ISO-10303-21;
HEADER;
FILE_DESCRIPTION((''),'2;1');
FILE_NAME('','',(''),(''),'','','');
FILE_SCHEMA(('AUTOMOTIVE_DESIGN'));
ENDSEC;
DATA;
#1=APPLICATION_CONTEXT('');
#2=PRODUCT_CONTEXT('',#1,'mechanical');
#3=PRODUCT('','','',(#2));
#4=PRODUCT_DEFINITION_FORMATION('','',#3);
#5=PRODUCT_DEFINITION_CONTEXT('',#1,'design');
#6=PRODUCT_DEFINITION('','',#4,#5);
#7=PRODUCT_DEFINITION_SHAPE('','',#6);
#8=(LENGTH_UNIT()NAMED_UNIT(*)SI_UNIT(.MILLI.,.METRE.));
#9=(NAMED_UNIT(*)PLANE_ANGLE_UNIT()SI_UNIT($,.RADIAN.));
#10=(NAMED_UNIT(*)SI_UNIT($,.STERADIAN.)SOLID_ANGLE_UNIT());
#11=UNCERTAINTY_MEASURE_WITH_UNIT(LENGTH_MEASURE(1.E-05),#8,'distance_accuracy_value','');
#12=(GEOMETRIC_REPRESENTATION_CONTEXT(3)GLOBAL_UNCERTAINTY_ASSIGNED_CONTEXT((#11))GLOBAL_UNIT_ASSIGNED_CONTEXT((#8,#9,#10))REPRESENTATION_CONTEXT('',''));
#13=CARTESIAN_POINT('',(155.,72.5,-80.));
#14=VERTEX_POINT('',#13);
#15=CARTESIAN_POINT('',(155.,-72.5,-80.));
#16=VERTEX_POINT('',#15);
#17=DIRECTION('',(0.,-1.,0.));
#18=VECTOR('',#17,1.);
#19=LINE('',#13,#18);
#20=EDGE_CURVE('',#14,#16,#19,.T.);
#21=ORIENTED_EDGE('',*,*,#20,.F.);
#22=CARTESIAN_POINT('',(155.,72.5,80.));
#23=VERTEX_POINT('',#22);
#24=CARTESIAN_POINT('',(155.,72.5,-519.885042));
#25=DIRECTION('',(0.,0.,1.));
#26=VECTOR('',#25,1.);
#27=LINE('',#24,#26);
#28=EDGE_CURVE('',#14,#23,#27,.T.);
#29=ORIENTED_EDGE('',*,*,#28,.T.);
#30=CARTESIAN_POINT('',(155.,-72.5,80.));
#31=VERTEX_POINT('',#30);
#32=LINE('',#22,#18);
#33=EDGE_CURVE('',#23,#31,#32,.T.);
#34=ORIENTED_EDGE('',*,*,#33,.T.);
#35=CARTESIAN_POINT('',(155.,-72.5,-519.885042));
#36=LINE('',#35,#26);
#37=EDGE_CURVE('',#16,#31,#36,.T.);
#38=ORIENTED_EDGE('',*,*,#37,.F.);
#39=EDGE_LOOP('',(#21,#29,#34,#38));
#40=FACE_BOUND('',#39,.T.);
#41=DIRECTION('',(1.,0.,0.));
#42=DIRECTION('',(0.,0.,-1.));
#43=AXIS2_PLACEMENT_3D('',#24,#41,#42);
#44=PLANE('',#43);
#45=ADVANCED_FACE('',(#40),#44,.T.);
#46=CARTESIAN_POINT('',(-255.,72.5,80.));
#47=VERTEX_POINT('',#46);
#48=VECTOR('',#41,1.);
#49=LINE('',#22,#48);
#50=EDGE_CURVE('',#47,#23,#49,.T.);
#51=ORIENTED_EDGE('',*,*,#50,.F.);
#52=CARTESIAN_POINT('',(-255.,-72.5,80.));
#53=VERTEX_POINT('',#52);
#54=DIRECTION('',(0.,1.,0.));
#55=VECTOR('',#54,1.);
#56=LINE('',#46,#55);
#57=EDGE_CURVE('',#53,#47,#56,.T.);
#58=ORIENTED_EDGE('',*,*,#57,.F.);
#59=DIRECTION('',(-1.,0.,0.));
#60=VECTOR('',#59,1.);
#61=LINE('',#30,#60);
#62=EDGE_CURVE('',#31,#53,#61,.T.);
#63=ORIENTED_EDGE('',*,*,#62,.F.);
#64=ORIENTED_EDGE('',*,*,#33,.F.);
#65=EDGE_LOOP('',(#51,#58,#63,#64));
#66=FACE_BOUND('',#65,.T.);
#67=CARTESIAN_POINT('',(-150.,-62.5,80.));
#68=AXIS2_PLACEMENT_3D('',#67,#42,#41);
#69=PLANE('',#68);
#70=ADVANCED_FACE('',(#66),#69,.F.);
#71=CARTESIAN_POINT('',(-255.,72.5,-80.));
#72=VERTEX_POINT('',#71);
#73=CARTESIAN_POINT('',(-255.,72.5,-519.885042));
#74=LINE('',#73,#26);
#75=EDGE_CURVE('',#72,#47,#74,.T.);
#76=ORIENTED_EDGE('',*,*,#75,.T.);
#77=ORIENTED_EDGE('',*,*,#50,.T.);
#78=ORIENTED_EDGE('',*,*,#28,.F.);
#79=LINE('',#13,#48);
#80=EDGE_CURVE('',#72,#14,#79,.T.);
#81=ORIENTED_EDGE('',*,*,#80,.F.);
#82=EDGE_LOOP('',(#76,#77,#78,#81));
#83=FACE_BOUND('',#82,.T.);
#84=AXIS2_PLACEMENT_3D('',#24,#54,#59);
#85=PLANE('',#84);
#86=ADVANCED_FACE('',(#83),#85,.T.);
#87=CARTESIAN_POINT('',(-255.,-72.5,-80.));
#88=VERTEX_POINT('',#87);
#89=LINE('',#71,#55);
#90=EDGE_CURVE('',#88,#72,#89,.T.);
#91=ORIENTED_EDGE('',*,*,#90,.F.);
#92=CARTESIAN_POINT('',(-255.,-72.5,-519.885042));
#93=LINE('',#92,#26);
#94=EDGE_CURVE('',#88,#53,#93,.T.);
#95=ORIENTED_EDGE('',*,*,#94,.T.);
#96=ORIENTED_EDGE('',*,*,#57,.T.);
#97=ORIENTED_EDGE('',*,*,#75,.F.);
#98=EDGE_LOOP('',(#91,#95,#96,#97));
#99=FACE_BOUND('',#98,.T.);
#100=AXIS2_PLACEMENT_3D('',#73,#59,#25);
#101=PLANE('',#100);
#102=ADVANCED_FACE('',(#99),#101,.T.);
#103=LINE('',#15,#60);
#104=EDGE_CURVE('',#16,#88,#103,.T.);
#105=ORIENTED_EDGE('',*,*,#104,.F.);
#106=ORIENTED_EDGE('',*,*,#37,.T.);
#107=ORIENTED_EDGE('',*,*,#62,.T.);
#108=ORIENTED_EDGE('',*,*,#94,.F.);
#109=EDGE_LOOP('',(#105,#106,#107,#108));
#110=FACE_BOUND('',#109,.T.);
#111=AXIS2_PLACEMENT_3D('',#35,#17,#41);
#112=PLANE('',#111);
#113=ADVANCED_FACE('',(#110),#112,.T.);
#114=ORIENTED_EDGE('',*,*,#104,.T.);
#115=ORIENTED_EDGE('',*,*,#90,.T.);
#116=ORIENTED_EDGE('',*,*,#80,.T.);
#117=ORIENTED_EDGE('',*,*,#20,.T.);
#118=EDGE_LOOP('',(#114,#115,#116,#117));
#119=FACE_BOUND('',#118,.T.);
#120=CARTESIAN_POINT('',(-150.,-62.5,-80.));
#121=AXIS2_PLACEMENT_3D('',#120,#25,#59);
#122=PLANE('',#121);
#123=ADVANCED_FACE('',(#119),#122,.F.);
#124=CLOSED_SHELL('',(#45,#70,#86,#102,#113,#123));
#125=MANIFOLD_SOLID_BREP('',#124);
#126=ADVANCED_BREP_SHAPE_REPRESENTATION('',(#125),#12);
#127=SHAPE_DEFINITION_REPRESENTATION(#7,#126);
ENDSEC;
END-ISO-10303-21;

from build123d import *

# Parameters (mm, degrees)
BOSS_EXTRUDE1_DEPTH      = 80
BOSS_EXTRUDE1_DEPTH_BACK = 80
SKETCH1_W                = 410
SKETCH1_H                = 145


with BuildPart() as part:
    # Sketch1 → Boss-Extrude1 (new, two sides: drawn at the far end of the back side and taken through both)
    with BuildSketch(Plane.XY.offset(-BOSS_EXTRUDE1_DEPTH_BACK)):
        with Locations((-50, 0)):
            Rectangle(SKETCH1_W, SKETCH1_H)
    extrude(amount=BOSS_EXTRUDE1_DEPTH + BOSS_EXTRUDE1_DEPTH_BACK)


solid = part.part
